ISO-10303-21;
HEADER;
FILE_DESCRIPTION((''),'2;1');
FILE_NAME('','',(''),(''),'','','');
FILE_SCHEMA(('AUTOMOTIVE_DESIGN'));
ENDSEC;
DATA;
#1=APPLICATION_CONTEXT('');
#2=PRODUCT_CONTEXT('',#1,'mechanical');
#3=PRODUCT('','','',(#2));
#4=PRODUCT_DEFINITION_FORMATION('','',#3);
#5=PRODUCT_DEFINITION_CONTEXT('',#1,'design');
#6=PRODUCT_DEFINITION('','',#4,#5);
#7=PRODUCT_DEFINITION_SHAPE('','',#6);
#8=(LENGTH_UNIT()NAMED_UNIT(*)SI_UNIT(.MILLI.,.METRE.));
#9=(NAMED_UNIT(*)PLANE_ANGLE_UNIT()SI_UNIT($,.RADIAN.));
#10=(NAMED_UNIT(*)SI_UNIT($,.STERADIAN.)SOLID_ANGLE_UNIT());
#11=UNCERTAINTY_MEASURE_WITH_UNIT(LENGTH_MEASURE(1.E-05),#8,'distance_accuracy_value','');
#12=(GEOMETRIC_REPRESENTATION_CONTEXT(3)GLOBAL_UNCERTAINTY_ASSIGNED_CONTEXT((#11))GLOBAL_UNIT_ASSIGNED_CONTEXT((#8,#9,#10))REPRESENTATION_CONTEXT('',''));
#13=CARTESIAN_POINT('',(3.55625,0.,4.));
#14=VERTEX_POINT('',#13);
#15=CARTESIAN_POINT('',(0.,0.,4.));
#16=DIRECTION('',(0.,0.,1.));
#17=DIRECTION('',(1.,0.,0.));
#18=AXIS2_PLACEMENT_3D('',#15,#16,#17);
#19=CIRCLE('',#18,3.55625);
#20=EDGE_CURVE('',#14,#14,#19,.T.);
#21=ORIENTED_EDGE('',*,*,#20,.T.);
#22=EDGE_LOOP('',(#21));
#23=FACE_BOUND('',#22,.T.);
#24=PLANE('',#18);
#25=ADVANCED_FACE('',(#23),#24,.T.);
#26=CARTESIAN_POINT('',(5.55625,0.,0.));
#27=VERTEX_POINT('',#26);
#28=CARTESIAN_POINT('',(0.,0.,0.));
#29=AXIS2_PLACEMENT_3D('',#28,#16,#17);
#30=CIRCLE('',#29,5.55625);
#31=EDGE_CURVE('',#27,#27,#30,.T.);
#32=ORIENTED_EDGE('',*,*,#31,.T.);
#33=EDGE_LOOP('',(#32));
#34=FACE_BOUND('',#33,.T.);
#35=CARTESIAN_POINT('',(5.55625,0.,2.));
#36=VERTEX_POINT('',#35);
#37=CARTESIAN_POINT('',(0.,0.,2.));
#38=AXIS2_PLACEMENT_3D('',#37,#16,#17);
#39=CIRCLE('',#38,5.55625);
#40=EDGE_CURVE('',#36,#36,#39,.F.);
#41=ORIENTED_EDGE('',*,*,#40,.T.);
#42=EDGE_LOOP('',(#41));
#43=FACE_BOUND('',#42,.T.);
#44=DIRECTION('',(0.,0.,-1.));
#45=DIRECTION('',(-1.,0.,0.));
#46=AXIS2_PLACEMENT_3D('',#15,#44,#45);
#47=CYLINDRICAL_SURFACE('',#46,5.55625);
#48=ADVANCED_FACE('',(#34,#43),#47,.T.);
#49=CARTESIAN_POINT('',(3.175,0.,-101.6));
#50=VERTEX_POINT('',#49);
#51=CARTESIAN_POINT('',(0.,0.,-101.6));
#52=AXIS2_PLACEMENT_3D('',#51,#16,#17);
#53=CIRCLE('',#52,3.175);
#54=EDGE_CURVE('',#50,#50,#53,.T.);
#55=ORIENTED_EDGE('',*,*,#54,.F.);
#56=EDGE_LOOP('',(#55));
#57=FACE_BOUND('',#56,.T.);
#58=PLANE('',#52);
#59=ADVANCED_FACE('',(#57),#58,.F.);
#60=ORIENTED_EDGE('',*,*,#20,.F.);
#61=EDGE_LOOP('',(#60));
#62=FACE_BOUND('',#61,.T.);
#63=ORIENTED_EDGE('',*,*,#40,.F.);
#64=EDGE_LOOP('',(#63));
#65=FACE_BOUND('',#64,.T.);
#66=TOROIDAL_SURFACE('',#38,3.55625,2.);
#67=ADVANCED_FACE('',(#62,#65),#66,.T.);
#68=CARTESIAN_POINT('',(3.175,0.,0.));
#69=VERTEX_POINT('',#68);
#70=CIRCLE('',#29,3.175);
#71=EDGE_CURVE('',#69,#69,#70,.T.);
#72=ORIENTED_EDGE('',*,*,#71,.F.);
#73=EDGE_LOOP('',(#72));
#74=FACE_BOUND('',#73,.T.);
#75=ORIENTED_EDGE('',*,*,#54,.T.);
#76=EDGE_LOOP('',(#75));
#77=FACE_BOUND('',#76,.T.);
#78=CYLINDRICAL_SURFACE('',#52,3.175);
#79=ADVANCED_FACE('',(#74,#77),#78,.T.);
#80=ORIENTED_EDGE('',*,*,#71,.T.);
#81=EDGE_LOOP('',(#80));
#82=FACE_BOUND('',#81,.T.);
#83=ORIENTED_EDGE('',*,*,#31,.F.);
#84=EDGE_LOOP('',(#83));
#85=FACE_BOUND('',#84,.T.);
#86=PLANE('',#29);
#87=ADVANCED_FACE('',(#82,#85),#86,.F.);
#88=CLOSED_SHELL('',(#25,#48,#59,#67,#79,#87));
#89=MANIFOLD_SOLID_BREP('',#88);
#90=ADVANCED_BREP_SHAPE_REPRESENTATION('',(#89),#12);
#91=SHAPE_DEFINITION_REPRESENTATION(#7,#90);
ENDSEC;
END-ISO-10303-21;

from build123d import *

# Parameters (mm, degrees)
SKETCH1_R         = 3.175
SCREWLENGTH_DEPTH = 101.6
SKETCH2_R         = 5.55625
HEAD_DEPTH        = 4
FILLET4_R         = 2


with BuildPart() as part:
    # Sketch1 → Screwlength (new body)
    with BuildSketch(Plane.XY):
        Circle(SKETCH1_R)
    extrude(amount=-SCREWLENGTH_DEPTH)

    # Sketch2 → Head (add)
    with BuildSketch(Plane.XY):
        Circle(SKETCH2_R)
    extrude(amount=HEAD_DEPTH)

    # Fillet4
    fillet4_edges = [part.edges().sort_by_distance(p)[0] for p in [
        (-5.55625, 0, 4),
    ]]
    fillet(fillet4_edges, radius=FILLET4_R)


solid = part.part
